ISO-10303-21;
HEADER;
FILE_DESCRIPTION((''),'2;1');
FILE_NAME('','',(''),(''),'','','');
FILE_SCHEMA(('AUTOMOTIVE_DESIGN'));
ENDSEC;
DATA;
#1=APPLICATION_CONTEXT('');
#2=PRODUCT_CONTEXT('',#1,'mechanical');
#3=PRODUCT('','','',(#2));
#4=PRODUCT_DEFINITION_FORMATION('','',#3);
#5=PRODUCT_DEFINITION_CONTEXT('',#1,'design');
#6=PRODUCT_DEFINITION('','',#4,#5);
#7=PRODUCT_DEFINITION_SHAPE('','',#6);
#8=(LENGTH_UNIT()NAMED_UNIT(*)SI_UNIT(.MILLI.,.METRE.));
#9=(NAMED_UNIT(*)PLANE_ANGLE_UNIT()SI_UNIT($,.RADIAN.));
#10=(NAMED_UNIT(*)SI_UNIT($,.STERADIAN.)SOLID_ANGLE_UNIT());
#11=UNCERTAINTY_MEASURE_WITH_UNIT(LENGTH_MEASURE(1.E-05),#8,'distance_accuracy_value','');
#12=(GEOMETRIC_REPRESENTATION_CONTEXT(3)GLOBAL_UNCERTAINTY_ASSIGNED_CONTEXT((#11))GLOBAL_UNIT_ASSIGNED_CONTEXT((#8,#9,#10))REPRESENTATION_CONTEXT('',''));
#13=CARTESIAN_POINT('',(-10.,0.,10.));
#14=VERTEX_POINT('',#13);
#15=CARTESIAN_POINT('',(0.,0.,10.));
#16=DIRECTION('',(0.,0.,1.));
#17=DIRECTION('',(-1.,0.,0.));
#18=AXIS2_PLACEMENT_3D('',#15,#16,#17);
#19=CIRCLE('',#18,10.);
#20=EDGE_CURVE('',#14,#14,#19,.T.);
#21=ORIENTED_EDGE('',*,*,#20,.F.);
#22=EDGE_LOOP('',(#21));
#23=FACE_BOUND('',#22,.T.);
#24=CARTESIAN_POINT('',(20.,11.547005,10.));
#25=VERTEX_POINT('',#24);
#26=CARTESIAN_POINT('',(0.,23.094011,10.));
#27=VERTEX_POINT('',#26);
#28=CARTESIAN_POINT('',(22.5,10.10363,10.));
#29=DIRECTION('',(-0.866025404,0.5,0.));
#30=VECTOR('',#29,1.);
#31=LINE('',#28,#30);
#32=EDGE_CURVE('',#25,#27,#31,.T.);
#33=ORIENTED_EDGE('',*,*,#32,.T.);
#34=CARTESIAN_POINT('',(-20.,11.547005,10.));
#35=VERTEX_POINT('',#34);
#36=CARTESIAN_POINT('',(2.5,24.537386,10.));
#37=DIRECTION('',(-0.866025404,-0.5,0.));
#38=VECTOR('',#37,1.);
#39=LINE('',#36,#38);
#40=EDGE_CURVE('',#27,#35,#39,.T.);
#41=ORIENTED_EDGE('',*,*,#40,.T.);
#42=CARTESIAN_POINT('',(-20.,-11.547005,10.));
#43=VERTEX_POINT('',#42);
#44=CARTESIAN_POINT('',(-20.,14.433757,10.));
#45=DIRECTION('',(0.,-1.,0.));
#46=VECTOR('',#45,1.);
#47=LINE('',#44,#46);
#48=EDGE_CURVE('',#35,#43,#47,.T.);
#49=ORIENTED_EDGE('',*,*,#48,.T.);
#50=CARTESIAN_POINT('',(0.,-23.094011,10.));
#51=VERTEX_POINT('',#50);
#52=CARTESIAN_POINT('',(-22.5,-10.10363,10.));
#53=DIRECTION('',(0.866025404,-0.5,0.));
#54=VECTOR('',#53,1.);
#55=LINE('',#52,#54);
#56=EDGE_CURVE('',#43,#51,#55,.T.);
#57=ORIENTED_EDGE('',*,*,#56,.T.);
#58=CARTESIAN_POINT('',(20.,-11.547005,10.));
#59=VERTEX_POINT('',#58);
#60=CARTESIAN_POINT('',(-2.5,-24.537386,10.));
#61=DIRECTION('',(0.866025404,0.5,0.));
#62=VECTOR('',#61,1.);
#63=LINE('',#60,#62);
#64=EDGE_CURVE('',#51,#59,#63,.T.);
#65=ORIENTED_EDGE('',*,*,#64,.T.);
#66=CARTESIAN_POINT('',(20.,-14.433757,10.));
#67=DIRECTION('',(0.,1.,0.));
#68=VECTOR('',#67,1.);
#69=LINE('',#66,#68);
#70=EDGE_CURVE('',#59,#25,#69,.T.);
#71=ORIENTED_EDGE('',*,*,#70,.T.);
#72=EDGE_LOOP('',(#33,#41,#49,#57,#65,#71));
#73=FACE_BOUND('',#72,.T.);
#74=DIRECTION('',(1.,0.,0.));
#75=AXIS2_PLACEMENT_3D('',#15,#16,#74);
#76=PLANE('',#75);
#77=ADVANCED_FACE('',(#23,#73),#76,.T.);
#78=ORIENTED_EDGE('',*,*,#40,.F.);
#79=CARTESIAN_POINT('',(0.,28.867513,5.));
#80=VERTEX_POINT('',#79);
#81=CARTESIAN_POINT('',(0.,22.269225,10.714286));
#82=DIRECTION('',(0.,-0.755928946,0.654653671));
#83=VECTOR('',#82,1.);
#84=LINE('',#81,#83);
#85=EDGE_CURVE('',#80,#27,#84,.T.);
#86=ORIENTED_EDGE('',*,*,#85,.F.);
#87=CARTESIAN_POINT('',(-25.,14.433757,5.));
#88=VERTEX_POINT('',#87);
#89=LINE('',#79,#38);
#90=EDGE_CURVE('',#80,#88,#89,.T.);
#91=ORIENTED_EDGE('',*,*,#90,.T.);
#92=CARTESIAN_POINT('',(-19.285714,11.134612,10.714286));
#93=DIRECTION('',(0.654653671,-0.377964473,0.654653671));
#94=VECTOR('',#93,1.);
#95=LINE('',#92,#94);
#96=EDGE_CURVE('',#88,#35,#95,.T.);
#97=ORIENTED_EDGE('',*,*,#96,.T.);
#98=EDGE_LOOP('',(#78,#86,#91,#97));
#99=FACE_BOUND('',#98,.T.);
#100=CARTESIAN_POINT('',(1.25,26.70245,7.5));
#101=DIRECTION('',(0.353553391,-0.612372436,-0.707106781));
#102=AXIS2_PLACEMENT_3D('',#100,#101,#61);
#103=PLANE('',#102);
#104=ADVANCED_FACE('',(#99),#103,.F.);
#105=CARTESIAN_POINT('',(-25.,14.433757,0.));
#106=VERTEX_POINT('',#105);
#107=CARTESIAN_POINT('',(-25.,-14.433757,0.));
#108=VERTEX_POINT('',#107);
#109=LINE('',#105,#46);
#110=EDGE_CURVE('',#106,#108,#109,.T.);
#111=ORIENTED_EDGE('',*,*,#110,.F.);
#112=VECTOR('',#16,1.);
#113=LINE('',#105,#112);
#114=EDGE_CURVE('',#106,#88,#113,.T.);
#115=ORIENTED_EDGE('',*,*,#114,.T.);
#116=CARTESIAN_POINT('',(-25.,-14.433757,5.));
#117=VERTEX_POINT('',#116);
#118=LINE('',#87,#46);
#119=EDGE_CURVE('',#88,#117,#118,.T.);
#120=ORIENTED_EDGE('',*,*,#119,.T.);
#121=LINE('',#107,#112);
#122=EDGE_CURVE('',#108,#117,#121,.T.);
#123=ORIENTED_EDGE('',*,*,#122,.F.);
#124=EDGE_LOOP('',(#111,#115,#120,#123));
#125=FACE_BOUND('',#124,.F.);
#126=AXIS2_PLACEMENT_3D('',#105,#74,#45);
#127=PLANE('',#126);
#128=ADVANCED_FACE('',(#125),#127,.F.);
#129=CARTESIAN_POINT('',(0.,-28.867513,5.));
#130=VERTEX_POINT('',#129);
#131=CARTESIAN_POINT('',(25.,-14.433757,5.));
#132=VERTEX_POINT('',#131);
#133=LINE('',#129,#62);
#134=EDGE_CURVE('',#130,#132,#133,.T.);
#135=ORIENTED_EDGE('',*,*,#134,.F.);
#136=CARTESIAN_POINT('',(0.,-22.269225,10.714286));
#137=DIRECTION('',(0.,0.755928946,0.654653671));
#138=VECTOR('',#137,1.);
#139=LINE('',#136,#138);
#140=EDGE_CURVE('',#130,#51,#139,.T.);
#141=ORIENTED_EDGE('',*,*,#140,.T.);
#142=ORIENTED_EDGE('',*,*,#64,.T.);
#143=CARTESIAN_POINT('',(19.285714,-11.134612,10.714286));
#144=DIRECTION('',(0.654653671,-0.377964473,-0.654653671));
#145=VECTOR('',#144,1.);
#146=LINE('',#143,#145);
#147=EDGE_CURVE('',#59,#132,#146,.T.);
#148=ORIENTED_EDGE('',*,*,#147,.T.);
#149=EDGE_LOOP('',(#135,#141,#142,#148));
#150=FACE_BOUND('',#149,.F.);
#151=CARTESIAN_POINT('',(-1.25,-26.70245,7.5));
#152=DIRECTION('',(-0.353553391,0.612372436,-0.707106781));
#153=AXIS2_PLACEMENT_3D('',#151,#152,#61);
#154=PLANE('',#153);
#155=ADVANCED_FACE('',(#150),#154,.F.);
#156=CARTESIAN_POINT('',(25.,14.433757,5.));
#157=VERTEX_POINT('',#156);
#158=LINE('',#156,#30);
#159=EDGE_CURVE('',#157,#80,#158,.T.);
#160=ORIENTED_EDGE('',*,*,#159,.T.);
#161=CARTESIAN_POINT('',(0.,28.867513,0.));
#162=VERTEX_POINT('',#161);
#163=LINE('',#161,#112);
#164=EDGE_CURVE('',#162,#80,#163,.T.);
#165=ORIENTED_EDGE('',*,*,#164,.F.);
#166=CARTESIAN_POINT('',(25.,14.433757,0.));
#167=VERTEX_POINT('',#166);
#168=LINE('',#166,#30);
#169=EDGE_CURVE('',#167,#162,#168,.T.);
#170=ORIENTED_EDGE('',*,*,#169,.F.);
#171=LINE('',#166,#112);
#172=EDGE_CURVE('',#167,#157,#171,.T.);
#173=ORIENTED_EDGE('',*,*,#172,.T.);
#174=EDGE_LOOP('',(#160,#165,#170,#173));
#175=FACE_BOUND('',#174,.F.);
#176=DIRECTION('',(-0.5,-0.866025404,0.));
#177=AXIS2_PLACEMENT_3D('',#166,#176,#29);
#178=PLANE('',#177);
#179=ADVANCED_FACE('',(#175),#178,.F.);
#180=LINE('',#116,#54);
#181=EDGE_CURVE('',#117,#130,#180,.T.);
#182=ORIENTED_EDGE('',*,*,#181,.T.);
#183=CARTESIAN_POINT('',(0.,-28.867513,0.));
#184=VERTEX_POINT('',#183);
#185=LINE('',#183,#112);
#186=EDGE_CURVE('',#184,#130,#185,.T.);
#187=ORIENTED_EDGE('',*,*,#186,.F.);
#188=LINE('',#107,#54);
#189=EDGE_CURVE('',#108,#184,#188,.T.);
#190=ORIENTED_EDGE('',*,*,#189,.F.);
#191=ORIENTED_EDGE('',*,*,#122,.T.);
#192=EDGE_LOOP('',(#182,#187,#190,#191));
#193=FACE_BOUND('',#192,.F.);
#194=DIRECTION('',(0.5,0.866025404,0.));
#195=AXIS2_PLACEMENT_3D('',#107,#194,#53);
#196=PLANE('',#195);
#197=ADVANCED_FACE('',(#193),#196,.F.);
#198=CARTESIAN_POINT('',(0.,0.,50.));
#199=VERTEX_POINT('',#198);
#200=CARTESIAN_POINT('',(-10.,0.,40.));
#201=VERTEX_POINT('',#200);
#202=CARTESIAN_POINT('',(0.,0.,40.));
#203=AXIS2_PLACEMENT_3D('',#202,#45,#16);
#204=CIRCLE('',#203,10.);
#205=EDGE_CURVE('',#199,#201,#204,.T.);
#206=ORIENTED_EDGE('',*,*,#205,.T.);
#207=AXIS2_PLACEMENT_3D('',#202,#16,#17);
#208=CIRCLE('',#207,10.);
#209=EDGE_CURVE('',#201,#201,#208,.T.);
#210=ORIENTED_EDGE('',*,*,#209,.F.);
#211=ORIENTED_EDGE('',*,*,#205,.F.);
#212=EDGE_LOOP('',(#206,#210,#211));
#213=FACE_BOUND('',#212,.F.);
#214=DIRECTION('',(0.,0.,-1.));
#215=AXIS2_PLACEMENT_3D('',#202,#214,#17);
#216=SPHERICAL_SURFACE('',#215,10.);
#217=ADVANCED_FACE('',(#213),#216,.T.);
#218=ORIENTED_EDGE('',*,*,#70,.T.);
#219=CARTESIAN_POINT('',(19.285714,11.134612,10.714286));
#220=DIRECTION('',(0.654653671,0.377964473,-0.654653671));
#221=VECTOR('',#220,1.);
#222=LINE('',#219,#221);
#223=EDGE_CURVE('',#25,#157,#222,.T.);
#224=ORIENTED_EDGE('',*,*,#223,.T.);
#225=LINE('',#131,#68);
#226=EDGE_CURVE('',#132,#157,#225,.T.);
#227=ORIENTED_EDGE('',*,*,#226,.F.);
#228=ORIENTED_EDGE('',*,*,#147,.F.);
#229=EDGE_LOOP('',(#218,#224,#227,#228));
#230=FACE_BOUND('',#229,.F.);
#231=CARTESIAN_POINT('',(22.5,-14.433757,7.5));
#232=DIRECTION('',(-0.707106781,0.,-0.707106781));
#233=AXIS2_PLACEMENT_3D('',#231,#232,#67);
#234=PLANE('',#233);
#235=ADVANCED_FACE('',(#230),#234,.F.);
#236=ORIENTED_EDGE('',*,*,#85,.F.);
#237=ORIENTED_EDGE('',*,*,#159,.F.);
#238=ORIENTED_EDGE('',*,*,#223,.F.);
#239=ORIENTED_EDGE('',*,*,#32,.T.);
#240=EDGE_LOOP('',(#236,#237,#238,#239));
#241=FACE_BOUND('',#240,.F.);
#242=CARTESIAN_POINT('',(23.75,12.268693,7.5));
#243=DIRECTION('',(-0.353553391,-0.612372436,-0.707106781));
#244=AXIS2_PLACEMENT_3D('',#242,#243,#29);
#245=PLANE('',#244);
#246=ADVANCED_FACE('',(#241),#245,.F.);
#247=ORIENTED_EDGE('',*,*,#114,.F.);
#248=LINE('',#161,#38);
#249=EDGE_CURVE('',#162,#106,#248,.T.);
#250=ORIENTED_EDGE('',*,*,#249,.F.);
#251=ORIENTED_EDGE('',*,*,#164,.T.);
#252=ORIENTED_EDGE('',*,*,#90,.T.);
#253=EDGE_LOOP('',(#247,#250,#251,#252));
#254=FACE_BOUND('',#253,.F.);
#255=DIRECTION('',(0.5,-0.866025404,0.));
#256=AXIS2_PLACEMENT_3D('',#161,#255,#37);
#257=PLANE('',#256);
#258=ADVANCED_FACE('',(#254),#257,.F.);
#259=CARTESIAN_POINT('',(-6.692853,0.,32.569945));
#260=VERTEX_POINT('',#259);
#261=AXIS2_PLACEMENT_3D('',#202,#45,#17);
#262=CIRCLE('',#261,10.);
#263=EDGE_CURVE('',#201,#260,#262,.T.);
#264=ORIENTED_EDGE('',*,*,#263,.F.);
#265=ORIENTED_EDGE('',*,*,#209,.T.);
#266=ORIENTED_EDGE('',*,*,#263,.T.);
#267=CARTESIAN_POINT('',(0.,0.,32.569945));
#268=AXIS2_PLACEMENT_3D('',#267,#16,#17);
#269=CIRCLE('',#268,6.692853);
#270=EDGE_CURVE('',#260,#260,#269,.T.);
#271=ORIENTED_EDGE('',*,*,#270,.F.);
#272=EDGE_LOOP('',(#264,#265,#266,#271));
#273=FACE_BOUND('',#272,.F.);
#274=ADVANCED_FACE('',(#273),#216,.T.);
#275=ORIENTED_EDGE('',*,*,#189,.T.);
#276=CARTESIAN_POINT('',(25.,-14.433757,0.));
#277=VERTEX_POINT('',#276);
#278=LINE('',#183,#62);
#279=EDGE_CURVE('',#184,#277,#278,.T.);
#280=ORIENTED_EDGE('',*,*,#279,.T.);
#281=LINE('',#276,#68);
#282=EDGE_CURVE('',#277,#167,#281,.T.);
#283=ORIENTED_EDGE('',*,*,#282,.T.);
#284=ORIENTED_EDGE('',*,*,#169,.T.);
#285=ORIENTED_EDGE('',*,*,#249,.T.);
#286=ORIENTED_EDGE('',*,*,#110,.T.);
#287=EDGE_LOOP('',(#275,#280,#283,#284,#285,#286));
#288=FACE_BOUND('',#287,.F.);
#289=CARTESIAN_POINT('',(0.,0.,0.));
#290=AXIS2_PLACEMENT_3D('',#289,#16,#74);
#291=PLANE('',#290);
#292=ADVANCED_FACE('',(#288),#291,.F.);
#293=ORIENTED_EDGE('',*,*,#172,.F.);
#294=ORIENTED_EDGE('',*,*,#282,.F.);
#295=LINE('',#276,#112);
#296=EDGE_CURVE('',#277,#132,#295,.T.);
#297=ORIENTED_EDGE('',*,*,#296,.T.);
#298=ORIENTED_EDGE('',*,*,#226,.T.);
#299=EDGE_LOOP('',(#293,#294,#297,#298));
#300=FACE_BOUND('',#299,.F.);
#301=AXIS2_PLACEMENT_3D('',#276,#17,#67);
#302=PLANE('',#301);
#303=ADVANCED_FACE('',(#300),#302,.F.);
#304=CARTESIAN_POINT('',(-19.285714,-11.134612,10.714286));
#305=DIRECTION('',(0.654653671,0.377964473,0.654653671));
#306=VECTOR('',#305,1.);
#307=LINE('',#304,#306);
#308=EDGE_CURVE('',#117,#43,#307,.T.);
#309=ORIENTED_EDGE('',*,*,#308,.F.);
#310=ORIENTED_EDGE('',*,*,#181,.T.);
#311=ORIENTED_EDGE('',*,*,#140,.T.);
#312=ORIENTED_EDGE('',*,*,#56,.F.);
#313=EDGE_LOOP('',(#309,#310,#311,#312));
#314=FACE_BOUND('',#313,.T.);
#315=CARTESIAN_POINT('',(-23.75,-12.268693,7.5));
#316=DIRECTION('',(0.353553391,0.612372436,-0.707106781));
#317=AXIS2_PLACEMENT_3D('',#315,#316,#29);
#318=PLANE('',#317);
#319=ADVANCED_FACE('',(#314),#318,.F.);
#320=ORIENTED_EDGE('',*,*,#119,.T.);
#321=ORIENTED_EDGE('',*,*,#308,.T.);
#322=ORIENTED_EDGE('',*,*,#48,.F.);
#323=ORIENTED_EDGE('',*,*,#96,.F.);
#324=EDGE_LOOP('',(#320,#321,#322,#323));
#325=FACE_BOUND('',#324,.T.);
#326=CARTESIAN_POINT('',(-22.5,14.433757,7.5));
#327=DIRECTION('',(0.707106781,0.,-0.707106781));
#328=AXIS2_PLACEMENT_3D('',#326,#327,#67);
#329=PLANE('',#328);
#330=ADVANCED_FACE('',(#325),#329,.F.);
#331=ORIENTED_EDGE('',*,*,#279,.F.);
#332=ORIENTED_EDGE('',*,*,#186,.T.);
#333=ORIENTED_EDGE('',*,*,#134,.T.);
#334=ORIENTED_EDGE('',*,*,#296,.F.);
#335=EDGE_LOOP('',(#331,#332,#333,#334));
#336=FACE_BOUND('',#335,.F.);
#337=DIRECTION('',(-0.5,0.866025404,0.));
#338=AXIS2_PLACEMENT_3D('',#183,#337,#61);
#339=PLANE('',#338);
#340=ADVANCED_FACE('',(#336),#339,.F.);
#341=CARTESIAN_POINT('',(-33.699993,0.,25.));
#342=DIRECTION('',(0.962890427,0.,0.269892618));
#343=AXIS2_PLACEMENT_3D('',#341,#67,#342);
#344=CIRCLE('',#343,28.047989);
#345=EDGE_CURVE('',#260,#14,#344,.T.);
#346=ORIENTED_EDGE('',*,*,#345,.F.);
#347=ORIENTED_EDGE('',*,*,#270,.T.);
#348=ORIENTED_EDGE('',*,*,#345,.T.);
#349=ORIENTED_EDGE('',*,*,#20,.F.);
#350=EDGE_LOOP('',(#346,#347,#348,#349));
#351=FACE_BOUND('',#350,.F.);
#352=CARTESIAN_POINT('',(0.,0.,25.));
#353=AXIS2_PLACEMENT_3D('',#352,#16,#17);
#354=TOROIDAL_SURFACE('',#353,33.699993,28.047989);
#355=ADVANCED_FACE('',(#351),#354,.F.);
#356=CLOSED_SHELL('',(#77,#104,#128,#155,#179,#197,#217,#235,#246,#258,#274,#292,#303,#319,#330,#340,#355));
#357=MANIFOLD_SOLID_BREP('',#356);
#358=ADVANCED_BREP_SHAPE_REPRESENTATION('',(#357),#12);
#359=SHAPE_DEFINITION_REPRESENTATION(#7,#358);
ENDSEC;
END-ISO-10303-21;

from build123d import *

# Parameters (mm, degrees)
F1_DEPTH = 10
F4_SIZE  = 5


with BuildPart() as f1:
    # F0 (on Top) → F1 (new body)
    with BuildSketch(Plane.XY):
        Polygon((-25, 14.4337567297), (-25, -14.4337567297), (0, -28.8675134595), (25, -14.4337567297), (25, 14.4337567297), (0, 28.8675134595), align=None)
    extrude(amount=F1_DEPTH)

    # F2 (on Front) → F3 (revolve)
    with BuildSketch(Plane.XZ):
        with BuildLine():
            Line((0, 10), (0, 30))
            ThreePointArc((0, 30), (-3.5846514013, 30.6645688728), (-6.6928532543, 32.5699451337))
            ThreePointArc((-6.6928532543, 32.5699451337), (-5.9483456169, 20.9335846587), (-10, 10))
            Line((-10, 10), (0, 10))
        make_face()
        with BuildLine():
            Line((0, 30), (0, 50))
            ThreePointArc((0, 50), (-7.0710678119, 47.0710678119), (-10, 40))
            ThreePointArc((-10, 40), (-8.0756928824, 36.4054772252), (-6.6928532543, 32.5699451337))
            ThreePointArc((-6.6928532543, 32.5699451337), (-3.5846514013, 30.6645688728), (0, 30))
        make_face()
        with BuildLine():
            ThreePointArc((-6.6928532543, 32.5699451337), (-8.0756928824, 36.4054772252), (-10, 40))
            ThreePointArc((-10, 40), (-9.1358779694, 35.9335846587), (-6.6928532543, 32.5699451337))
        make_face()
    revolve(axis=Axis((0, 0, 30), (0, 0, 1)))

    # F4
    f4_edges = [f1.edges().sort_by_distance(p)[0] for p in [
        (-25, 0, 10),
        (-12.5, -21.650635, 10),
        (-12.5, 21.650635, 10),
        (12.5, 21.650635, 10),
        (25, 0, 10),
        (12.5, -21.650635, 10),
    ]]
    chamfer(f4_edges, length=F4_SIZE)


solid = f1.part
